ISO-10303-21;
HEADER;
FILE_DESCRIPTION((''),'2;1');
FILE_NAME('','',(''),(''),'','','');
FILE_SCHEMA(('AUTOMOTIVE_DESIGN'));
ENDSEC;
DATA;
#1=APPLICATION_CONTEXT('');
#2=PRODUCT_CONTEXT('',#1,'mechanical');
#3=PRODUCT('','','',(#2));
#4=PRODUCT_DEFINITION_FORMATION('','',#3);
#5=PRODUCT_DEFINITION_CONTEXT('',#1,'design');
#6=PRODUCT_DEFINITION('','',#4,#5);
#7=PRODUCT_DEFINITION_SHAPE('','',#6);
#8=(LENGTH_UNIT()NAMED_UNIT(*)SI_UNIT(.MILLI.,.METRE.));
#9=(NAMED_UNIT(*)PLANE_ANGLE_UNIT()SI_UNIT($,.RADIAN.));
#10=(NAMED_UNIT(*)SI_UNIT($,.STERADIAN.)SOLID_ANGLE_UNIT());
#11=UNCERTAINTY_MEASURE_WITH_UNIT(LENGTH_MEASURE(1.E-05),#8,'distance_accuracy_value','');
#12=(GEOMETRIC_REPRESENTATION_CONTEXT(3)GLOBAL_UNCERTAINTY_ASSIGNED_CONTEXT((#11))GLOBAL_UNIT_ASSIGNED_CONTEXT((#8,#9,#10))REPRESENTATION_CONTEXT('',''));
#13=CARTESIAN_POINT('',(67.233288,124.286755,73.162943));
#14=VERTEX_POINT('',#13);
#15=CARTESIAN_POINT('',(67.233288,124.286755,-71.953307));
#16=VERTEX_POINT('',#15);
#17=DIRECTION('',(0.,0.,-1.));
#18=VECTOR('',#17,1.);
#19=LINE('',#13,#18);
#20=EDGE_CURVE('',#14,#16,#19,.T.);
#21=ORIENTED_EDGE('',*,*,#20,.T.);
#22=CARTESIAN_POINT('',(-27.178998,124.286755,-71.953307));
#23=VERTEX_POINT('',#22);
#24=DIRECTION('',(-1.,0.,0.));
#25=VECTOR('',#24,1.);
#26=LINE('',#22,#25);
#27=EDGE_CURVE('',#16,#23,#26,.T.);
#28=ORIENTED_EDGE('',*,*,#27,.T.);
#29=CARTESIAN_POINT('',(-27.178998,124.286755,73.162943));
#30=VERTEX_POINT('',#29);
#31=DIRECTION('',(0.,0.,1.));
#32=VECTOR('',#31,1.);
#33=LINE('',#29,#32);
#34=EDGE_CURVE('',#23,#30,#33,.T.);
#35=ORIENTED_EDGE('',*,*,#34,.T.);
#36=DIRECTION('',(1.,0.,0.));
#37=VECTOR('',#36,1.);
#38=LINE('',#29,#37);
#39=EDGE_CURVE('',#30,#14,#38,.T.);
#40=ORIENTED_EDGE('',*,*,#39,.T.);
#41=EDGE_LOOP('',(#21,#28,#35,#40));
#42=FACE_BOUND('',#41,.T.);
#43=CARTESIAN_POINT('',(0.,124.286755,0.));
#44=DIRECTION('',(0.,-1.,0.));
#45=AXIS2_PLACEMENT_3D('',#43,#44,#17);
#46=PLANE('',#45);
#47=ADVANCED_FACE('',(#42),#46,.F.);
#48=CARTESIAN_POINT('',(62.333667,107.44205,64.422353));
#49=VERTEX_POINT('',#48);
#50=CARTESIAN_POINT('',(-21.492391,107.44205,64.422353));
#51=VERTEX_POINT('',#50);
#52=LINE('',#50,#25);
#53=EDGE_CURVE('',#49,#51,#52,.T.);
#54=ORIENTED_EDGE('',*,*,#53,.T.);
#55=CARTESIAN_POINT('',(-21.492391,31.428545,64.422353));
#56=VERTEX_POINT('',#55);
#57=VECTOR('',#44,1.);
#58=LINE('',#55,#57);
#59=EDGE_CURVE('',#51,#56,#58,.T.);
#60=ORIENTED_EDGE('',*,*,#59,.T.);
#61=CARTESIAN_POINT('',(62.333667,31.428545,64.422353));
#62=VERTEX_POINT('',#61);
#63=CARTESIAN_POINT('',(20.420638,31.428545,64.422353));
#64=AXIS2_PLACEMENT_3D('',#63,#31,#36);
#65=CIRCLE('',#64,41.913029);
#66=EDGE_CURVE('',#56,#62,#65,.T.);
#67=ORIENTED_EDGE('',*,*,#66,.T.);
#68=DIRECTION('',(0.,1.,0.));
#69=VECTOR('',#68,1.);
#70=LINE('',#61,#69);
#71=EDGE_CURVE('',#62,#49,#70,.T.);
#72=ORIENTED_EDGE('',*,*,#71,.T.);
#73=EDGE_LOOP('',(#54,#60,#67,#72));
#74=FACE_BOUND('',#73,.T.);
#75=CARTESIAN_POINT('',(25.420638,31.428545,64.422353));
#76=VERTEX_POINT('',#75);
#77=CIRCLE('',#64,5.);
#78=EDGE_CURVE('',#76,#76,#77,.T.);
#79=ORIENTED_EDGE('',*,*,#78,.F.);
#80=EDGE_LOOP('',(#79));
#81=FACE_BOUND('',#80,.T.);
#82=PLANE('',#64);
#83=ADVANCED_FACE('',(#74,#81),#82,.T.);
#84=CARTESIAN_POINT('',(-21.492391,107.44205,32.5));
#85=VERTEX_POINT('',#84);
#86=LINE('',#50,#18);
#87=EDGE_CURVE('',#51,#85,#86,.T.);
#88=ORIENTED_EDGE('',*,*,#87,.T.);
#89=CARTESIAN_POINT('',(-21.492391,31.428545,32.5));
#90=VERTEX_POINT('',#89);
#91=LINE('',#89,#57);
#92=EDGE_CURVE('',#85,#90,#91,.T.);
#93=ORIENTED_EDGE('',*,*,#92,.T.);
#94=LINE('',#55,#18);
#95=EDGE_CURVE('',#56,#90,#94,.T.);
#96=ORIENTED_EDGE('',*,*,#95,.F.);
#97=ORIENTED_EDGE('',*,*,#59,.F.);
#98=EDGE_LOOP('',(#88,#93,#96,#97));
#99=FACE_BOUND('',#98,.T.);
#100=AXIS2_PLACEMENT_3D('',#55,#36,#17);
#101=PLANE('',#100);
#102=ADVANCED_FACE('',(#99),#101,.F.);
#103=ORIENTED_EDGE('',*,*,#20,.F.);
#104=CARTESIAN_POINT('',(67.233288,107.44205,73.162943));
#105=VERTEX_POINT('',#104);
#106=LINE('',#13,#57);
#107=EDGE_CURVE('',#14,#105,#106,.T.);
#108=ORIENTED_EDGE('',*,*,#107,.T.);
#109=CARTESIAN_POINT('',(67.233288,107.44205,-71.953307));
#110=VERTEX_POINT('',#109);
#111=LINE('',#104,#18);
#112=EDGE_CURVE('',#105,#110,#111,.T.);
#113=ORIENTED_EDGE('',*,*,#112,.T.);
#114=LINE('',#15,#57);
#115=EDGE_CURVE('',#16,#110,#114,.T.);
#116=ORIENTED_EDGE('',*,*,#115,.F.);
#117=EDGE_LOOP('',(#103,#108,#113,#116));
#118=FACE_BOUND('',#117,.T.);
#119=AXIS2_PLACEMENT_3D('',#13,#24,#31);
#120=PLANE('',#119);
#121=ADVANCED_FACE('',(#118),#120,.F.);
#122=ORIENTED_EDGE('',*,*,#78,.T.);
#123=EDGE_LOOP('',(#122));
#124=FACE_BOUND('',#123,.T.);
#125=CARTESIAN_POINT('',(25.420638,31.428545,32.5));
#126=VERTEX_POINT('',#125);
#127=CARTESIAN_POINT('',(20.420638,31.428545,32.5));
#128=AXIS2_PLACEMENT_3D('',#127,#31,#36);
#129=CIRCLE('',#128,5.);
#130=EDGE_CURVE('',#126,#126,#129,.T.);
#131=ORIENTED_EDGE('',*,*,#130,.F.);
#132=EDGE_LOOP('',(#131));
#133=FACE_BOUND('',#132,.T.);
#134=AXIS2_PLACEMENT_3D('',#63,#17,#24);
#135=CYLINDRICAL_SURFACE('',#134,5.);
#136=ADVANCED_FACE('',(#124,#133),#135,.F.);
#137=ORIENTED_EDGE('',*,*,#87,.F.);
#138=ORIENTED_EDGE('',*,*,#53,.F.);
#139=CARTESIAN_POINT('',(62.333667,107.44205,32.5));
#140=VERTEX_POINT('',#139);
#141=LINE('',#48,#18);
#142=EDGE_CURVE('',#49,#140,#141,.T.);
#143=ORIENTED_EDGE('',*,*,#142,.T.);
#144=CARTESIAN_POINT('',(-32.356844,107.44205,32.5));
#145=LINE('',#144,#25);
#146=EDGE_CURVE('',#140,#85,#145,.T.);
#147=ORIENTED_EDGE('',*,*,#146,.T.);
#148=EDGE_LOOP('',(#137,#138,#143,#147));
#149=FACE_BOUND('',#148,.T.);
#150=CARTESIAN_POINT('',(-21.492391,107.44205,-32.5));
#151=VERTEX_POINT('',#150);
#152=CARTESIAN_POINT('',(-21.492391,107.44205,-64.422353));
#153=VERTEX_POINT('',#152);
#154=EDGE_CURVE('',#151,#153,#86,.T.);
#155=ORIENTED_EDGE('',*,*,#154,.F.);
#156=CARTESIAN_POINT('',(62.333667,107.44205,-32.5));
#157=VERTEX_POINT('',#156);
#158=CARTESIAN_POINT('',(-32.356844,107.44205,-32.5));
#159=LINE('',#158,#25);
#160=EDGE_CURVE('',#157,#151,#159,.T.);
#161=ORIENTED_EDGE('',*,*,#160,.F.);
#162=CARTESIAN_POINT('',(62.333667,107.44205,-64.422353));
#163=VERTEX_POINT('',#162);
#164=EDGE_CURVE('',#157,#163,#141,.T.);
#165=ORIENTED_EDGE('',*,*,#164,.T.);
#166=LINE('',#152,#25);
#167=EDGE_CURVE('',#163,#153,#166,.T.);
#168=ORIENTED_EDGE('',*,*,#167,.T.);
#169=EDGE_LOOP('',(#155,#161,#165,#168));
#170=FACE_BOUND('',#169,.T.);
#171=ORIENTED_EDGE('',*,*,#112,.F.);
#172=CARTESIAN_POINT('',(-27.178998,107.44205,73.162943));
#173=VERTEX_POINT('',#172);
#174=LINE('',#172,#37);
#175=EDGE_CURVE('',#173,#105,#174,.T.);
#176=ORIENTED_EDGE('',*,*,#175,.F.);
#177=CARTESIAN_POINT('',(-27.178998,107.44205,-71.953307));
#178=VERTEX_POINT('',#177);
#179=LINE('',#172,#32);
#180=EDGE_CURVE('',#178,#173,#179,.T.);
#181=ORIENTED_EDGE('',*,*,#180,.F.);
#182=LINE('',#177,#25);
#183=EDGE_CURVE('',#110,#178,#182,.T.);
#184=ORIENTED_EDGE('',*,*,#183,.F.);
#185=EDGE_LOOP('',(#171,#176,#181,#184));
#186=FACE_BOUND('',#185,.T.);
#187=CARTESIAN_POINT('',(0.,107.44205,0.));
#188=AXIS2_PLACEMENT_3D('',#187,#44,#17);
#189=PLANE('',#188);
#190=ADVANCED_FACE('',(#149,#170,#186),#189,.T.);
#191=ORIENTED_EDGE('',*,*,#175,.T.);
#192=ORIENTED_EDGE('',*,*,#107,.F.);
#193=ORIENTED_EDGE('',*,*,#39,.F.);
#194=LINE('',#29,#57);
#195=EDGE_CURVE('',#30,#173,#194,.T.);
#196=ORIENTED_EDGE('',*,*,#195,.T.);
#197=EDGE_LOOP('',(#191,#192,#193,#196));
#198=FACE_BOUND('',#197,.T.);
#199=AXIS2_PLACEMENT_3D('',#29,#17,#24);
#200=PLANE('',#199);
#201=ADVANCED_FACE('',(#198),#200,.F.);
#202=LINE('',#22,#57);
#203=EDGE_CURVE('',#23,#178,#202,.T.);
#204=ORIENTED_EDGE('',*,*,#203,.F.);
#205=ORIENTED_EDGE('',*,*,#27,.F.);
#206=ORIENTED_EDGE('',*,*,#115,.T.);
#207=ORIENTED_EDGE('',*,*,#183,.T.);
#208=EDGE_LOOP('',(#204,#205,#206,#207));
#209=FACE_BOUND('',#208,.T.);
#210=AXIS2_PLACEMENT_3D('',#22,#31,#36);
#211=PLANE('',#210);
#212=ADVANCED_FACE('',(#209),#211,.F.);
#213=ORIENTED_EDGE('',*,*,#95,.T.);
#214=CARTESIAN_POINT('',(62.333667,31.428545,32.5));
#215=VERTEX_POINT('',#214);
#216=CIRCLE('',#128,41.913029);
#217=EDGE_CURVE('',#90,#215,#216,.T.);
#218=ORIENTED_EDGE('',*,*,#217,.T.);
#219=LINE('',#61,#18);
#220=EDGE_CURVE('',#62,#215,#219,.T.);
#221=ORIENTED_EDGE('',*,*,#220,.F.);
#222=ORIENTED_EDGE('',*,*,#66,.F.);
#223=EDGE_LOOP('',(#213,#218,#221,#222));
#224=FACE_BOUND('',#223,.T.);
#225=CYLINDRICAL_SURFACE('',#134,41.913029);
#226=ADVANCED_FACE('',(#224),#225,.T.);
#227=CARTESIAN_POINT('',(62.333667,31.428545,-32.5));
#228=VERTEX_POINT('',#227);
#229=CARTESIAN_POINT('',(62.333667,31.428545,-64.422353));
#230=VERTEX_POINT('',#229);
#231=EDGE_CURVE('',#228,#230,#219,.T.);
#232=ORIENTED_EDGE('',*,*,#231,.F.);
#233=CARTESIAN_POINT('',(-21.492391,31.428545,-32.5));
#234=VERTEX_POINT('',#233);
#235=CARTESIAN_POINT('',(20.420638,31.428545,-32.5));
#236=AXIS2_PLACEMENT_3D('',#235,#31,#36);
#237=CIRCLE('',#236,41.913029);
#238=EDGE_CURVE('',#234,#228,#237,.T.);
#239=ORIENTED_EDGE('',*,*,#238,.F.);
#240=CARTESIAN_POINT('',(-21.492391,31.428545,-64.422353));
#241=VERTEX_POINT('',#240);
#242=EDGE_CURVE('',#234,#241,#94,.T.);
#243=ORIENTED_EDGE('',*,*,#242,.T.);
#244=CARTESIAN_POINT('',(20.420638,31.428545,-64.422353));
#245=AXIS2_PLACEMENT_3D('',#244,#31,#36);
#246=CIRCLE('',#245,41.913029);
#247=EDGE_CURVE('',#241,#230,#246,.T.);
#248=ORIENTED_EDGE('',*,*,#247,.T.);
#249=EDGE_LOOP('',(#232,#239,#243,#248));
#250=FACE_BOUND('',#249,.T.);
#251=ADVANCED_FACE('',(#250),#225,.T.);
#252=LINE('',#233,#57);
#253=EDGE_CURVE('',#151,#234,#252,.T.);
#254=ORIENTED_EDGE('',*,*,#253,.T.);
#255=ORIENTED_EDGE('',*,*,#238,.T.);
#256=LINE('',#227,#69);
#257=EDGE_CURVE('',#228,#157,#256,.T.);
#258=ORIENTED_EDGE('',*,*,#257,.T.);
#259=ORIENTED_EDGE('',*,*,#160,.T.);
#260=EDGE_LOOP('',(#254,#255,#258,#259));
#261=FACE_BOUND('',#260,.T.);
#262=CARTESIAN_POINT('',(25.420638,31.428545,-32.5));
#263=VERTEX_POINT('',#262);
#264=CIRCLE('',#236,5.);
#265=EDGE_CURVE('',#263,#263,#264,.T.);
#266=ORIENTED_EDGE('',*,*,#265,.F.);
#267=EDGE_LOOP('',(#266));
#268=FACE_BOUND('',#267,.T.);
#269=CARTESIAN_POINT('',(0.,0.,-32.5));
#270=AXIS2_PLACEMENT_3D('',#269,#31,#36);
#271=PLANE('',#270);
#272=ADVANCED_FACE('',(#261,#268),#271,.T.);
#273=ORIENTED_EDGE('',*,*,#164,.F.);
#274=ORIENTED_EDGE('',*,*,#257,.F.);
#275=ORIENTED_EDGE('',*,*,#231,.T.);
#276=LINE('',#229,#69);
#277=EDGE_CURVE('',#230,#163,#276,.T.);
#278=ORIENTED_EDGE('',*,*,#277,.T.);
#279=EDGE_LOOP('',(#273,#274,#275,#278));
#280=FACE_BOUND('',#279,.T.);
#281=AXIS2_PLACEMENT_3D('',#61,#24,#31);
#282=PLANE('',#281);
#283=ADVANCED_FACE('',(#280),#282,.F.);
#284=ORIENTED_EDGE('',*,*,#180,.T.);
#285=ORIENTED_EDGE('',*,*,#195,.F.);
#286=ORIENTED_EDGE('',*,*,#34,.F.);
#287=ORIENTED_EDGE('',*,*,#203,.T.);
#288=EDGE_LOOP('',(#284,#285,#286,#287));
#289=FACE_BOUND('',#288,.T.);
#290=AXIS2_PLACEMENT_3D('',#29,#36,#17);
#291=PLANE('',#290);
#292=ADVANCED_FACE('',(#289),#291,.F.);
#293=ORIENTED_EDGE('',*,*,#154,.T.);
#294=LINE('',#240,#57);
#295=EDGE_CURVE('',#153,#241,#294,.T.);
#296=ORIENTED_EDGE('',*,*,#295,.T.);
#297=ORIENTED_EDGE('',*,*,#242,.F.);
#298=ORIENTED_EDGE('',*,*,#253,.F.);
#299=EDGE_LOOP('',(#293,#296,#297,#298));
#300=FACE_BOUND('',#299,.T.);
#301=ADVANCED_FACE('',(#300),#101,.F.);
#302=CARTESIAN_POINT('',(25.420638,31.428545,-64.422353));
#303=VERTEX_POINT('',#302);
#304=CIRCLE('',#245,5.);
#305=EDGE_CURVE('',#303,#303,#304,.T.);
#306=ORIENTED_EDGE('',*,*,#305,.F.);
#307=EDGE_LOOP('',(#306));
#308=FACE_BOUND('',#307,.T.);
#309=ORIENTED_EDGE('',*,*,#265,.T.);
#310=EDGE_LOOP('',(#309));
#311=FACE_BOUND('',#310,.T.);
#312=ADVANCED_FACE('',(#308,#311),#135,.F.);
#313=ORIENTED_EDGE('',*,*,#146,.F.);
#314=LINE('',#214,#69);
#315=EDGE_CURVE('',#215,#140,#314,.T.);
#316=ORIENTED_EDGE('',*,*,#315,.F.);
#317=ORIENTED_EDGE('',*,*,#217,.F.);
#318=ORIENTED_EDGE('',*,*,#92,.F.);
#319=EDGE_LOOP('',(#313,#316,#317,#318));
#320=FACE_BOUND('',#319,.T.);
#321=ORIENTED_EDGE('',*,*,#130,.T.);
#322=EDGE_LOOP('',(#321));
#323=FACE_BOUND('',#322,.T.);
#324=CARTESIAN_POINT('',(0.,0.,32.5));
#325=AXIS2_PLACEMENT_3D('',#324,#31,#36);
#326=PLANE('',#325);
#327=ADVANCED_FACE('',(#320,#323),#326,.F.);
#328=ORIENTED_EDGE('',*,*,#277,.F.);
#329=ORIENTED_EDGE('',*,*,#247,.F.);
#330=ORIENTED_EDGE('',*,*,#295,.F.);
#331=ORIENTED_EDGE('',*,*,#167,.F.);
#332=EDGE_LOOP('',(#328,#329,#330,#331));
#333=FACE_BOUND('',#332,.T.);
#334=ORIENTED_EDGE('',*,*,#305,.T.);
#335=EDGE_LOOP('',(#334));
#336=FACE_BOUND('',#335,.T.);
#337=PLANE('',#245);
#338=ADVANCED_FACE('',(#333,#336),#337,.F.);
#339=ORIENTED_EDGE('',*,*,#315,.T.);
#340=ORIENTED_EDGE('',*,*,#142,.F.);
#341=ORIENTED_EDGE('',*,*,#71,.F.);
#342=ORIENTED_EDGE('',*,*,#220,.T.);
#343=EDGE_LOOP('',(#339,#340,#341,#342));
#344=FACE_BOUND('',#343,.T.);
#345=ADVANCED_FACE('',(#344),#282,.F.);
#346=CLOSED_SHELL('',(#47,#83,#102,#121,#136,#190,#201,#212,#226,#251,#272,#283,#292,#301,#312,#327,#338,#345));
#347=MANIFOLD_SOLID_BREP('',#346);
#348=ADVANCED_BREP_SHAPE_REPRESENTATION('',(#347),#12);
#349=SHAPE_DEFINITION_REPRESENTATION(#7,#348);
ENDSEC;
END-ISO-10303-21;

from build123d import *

# Parameters (mm, degrees)
SKETCH4_R           = 5
BOSS_EXTRUDE4_DEPTH = 64.422352731
SKETCH6_W           = 94.412285725
SKETCH6_H           = 145.116249754
BOSS_EXTRUDE5_DEPTH = 16.844705461
SKETCH7_W           = 105.313643584
SKETCH7_H           = 127.479897163
CUT_EXTRUDE1_DEPTH  = 32.5


with BuildPart() as part:
    # Sketch4 → Boss-Extrude4 (new body, symmetric)
    with BuildSketch(Plane.XY):
        with BuildLine():
            Line((-21.492390891, 31.428545296), (-21.492390891, 107.442049888))
            Line((-21.492390891, 107.442049888), (62.333666954, 107.442049888))
            Line((62.333666954, 107.442049888), (62.333666954, 31.428545296))
            ThreePointArc((62.333666954, 31.428545296), (20.420638031, -10.484483627), (-21.492390891, 31.428545296))
        make_face()
        with Locations((20.420638031, 31.428545296)):
            Circle(SKETCH4_R, mode=Mode.SUBTRACT)
    extrude(amount=BOSS_EXTRUDE4_DEPTH, both=True)

    # Sketch6 → Boss-Extrude5 (add)
    with BuildSketch(Plane(origin=(0, 107.442049888, 0), x_dir=(1, 0, 0), z_dir=(0, 1, 0))):
        with Locations((20.027144796, -0.604818135)):
            Rectangle(SKETCH6_W, SKETCH6_H)
    extrude(amount=BOSS_EXTRUDE5_DEPTH)

    # Sketch7 → Cut-Extrude1 (cut, symmetric)
    with BuildSketch(Plane.XY):
        with Locations((20.29997807, 43.702101306)):
            Rectangle(SKETCH7_W, SKETCH7_H)
    extrude(amount=CUT_EXTRUDE1_DEPTH, both=True, mode=Mode.SUBTRACT)


solid = part.part
